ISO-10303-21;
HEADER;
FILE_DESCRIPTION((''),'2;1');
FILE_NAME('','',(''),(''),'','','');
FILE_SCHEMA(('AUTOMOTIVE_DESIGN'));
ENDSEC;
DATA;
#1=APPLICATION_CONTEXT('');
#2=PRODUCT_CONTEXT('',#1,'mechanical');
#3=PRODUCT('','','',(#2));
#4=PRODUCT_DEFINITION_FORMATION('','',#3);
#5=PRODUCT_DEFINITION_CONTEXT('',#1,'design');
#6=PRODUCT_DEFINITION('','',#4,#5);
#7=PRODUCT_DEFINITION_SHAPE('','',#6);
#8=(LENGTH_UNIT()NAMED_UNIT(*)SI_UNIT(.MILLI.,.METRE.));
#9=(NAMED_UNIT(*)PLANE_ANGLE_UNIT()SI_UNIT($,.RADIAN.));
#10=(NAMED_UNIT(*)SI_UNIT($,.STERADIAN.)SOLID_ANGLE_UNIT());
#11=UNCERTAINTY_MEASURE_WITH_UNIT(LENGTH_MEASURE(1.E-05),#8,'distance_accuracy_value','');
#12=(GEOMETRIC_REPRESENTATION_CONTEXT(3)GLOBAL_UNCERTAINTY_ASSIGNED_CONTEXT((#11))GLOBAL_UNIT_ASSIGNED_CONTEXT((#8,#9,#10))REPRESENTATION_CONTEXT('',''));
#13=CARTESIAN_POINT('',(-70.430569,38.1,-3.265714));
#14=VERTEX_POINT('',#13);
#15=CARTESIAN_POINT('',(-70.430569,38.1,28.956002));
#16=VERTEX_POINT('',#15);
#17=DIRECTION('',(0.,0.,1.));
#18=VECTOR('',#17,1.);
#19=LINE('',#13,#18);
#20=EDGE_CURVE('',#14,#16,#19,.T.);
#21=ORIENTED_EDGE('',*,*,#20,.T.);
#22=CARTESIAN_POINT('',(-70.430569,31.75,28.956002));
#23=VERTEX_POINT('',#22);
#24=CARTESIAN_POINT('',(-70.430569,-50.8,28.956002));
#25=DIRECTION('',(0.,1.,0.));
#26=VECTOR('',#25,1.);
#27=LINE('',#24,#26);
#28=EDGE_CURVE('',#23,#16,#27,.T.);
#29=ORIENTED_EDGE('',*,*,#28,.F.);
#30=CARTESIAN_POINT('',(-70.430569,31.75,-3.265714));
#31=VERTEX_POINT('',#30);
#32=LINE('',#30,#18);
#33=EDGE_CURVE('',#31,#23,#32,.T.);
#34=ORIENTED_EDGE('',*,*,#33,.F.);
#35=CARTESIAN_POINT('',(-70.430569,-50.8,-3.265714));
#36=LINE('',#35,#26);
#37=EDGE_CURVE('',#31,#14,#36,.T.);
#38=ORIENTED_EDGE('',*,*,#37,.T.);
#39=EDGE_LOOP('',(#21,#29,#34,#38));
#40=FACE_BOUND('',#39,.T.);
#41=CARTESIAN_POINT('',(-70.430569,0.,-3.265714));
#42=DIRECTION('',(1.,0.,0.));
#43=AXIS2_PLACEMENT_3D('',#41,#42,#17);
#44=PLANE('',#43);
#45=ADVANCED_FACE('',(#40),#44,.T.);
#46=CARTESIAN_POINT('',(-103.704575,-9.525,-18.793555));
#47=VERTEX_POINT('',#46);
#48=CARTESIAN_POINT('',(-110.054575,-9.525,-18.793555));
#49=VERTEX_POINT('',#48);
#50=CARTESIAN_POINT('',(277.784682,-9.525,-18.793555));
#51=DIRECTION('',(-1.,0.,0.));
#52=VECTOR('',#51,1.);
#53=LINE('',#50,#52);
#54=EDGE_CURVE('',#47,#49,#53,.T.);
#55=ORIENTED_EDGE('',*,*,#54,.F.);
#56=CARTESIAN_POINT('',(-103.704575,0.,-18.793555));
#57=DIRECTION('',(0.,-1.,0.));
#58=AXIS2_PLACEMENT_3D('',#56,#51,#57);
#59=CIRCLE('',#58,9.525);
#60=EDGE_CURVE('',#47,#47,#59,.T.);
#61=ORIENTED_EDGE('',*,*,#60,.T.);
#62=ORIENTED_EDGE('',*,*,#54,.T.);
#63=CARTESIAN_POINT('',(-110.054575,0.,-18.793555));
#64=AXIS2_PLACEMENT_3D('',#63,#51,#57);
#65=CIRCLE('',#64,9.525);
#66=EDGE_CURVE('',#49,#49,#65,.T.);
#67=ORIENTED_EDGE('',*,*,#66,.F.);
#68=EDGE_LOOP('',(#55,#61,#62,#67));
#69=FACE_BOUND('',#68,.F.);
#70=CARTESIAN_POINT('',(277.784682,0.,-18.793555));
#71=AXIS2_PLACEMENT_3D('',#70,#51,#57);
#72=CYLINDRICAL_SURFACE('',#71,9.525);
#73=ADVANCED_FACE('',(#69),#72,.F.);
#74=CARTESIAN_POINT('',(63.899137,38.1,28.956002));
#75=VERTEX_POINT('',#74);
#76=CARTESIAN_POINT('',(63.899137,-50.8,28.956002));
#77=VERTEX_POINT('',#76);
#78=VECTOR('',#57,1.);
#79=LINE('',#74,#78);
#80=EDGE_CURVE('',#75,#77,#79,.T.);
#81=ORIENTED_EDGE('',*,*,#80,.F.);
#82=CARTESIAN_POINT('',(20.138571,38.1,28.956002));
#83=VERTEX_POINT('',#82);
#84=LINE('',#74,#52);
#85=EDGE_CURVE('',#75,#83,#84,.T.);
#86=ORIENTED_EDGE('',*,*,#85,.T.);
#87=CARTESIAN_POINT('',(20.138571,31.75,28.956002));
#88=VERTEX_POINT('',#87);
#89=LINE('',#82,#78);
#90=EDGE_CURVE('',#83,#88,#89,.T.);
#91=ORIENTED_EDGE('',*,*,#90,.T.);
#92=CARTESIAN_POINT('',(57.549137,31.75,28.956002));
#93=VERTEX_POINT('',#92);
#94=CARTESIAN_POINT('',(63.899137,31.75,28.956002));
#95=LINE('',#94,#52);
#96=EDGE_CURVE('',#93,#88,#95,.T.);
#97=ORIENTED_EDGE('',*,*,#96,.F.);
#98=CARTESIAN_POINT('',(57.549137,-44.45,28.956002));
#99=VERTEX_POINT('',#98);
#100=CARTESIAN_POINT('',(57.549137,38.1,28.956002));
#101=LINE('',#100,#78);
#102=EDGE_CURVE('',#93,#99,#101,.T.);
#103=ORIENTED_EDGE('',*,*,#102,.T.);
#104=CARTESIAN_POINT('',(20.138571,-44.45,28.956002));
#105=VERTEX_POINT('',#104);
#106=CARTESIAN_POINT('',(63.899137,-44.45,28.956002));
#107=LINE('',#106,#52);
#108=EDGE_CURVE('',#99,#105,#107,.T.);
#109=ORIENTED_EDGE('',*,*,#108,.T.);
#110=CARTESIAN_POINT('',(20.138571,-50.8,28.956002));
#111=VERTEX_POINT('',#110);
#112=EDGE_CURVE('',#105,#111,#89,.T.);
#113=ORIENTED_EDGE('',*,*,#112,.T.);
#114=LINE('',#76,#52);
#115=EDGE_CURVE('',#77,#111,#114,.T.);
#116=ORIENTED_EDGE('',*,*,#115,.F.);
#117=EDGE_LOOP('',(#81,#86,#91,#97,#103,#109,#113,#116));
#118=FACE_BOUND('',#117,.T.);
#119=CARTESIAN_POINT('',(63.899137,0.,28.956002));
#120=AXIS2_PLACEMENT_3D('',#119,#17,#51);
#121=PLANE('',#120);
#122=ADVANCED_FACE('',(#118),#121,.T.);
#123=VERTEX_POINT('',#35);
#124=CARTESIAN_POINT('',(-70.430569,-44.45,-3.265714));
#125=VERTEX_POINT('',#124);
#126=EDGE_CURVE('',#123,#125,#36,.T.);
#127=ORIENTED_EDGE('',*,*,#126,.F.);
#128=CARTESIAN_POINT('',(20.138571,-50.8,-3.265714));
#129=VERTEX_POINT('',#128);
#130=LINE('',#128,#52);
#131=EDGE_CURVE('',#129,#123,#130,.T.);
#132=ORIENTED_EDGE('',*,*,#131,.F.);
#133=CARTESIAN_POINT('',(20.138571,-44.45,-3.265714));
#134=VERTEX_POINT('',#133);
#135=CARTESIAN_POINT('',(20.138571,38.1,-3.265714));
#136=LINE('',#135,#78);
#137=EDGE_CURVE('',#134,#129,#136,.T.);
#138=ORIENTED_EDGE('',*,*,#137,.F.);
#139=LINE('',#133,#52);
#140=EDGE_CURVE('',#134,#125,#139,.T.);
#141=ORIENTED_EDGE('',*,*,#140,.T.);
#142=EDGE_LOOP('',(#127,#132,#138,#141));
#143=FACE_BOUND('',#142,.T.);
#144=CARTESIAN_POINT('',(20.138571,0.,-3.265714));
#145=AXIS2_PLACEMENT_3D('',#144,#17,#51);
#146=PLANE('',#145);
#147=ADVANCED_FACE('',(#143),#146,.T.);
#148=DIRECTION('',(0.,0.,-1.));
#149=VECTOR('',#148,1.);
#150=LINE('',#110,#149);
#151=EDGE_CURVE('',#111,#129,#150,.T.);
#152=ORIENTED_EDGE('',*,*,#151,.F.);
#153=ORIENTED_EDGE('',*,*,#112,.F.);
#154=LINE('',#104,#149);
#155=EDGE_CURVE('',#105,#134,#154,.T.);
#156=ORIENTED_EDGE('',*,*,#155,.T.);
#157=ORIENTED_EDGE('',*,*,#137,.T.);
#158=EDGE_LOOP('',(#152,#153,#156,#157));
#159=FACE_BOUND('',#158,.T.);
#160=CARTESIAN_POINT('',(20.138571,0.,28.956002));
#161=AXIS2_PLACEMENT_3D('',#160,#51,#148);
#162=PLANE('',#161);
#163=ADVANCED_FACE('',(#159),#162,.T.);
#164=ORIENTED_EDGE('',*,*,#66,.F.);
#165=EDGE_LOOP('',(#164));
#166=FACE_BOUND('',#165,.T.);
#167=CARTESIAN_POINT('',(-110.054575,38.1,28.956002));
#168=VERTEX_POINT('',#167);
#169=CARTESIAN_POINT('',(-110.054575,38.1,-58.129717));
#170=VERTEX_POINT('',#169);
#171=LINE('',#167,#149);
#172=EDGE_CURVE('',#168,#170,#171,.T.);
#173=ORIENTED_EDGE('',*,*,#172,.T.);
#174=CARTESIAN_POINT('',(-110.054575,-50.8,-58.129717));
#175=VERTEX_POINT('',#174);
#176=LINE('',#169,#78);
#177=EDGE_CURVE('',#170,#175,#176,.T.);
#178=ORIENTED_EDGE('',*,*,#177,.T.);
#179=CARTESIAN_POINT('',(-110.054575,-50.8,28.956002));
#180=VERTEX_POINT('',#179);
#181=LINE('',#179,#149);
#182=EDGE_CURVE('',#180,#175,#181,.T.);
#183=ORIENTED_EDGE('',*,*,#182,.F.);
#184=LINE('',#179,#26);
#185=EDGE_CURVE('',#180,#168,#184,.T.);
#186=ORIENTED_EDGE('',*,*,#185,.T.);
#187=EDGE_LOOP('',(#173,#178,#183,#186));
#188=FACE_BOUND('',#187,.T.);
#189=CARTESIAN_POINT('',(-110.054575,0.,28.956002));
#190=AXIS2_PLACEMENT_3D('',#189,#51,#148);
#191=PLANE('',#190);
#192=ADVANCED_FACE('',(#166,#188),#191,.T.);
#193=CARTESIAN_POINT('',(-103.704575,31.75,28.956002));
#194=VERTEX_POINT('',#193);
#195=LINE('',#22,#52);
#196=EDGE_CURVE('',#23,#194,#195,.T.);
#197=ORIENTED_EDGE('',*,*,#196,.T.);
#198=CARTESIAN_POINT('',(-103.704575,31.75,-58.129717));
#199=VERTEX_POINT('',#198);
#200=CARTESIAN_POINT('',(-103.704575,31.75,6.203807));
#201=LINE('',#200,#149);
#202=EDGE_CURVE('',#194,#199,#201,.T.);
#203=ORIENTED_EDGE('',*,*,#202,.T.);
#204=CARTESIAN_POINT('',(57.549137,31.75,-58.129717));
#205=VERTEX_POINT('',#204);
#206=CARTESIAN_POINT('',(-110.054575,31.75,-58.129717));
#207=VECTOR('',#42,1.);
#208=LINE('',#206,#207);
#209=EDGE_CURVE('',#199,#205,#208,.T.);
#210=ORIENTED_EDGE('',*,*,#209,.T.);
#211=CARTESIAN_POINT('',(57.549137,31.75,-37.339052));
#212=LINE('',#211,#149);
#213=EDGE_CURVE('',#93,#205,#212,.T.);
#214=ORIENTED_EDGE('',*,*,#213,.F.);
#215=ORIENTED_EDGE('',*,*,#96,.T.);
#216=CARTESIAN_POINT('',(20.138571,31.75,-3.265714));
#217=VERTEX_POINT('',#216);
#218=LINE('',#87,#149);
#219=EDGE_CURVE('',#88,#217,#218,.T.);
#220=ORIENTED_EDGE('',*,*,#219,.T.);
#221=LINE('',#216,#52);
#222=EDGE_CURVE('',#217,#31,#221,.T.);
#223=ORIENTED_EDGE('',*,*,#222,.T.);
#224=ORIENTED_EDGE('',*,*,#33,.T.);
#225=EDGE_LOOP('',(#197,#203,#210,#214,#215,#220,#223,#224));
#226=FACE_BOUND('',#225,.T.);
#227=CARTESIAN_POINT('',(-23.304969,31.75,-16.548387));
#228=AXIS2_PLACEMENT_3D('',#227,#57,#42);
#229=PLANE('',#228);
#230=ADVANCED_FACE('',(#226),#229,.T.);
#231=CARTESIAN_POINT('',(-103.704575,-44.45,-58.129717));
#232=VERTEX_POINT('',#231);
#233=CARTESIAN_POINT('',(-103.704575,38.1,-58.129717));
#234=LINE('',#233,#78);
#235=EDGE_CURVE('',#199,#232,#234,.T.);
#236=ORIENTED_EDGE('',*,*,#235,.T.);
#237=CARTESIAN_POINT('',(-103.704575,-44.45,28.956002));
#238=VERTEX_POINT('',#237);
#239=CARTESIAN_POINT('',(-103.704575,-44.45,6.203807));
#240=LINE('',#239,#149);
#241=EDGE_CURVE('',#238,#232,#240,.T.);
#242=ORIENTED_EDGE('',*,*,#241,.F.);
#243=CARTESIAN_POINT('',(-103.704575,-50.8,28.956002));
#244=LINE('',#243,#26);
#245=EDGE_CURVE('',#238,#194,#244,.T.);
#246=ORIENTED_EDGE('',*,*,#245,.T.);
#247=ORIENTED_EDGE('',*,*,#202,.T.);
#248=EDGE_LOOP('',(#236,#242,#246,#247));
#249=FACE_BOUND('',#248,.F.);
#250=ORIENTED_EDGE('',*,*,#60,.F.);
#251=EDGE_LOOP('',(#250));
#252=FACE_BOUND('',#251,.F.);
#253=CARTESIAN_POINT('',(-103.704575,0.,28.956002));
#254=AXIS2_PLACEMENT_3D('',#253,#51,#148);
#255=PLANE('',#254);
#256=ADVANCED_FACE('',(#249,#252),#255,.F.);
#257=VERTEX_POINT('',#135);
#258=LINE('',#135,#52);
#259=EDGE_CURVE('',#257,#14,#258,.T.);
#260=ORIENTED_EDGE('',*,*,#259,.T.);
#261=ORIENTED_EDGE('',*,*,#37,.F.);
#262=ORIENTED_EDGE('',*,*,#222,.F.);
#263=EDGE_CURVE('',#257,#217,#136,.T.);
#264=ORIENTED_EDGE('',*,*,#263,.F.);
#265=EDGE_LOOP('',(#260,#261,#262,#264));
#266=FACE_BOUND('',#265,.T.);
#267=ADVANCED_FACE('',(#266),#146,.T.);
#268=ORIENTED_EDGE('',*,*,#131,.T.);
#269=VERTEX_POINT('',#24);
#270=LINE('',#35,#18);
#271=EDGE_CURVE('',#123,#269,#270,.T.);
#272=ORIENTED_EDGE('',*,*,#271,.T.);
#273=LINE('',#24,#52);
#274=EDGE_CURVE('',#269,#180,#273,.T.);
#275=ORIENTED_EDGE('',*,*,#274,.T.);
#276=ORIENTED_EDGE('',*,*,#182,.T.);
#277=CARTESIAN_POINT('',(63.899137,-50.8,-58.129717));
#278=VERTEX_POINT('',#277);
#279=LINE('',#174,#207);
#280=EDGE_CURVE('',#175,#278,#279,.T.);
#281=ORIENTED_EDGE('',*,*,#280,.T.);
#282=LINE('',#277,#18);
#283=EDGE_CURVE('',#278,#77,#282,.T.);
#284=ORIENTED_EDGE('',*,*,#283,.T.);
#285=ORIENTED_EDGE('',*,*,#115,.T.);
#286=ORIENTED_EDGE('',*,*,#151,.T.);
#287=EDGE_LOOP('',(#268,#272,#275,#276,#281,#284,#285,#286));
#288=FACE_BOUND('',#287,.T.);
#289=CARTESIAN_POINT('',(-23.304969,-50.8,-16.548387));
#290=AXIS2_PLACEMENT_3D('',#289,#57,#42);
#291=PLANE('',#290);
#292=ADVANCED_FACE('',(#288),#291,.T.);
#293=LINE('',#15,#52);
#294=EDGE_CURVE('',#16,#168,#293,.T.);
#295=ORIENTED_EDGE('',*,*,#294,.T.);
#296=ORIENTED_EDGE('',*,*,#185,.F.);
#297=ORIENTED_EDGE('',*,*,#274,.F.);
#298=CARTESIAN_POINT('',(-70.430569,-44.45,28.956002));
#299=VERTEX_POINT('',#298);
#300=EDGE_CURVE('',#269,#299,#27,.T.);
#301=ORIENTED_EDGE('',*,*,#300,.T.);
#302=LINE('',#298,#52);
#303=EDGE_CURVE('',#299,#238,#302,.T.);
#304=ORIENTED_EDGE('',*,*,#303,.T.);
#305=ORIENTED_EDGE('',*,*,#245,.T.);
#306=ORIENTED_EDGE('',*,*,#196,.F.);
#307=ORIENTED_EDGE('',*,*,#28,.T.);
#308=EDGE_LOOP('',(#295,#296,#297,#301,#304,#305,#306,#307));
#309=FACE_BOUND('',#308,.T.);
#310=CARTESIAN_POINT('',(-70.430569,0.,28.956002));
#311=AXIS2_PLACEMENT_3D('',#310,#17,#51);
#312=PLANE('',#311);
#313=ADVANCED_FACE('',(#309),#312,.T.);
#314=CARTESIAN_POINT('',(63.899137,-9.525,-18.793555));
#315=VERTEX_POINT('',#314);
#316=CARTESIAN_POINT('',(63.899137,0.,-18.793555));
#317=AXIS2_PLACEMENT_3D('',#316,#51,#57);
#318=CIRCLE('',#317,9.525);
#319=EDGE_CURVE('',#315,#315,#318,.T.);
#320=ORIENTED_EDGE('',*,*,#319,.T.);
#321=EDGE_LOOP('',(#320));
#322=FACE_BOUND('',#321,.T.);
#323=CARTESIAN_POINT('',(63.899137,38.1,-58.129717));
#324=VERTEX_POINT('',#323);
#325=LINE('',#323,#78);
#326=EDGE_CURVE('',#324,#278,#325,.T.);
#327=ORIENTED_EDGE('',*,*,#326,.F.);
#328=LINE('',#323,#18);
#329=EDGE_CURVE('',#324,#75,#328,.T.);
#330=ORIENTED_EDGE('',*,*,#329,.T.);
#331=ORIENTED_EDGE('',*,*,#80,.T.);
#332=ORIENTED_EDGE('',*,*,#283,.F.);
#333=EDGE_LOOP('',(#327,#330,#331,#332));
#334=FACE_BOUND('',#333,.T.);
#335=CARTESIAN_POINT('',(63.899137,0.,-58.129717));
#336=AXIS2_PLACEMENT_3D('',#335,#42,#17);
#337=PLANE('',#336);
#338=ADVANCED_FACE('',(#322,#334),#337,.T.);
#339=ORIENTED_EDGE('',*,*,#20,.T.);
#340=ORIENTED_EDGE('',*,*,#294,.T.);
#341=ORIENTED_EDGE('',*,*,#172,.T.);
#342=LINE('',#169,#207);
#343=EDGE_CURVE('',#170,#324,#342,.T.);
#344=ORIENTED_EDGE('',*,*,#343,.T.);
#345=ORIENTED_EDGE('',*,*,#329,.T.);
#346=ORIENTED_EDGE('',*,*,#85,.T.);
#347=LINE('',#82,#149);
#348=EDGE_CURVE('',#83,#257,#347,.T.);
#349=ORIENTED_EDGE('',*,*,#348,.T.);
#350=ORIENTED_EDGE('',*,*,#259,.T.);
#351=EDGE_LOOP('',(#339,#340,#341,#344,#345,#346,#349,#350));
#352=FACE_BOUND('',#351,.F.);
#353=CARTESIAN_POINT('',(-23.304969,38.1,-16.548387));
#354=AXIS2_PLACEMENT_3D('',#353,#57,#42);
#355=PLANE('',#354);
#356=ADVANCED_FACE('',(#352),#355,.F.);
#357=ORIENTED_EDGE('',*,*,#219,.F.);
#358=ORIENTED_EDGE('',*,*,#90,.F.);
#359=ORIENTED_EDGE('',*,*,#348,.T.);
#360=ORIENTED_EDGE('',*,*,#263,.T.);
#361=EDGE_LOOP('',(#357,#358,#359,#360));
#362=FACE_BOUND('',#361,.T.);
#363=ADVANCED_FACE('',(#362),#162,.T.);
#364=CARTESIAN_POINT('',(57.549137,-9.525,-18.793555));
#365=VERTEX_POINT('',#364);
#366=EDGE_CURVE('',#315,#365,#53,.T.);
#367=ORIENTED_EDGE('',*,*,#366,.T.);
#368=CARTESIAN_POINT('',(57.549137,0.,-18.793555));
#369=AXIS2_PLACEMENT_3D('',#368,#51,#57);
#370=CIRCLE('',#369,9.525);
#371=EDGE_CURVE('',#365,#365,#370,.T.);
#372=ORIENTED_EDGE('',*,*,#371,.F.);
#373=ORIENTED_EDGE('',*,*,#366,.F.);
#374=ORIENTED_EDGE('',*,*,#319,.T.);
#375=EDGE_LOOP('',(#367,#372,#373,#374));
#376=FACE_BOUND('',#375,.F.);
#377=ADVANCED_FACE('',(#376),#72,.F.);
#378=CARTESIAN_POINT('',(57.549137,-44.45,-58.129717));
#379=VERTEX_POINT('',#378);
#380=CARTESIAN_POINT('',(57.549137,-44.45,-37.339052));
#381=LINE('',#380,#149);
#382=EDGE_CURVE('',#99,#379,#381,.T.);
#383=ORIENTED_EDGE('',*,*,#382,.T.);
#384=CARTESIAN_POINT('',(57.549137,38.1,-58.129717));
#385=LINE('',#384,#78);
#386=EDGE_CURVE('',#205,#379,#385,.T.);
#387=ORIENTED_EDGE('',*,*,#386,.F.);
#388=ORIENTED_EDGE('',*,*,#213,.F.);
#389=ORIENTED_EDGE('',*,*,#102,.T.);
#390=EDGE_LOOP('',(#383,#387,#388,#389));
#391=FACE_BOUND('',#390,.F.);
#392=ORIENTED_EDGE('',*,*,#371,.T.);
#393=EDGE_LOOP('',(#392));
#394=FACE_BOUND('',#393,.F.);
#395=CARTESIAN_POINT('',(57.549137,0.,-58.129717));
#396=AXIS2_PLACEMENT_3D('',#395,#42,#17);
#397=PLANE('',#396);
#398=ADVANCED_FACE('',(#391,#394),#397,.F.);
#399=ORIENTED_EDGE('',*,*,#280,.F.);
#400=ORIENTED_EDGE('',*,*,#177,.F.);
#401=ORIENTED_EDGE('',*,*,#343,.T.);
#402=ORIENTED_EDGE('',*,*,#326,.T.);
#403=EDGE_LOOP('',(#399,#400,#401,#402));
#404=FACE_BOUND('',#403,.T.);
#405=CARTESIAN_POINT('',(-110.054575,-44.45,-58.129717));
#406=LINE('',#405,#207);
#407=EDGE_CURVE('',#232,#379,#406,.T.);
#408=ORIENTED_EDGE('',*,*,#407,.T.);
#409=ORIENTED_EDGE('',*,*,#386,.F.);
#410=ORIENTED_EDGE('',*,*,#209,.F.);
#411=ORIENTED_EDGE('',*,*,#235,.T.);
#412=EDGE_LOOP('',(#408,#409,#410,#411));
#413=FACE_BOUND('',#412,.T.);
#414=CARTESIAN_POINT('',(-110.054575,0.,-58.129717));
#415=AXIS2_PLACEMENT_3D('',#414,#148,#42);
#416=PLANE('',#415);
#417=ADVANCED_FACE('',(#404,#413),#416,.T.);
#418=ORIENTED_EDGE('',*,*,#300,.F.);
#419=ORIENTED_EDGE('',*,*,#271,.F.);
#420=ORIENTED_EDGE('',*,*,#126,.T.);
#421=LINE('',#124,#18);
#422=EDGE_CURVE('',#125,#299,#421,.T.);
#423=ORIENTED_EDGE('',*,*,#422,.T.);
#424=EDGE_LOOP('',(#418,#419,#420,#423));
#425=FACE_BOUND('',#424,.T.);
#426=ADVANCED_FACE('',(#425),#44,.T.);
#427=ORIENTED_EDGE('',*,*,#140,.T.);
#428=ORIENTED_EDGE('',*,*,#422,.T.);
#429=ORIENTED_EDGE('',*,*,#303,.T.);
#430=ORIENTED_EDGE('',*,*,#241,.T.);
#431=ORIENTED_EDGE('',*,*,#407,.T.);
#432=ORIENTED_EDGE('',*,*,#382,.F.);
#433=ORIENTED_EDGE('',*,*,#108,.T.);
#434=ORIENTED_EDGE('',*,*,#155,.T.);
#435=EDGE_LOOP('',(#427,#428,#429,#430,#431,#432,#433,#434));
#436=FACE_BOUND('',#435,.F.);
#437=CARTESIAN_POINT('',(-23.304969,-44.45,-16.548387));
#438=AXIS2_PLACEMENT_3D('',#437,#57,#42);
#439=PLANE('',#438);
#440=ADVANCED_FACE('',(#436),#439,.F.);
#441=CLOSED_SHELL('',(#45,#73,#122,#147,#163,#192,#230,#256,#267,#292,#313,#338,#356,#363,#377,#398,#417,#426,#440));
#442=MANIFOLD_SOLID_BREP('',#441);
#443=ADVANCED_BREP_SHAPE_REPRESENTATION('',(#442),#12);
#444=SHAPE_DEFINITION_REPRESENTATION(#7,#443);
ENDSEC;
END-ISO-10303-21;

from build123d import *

# Parameters (mm, degrees)
F1_DEPTH      = 50.8
F1_DEPTH_BACK = 38.1
F2_T          = -6.35
F4_D          = 19.05


with BuildPart() as f1:
    # F0 (on Front) → F1 (new body, two sides)
    with BuildSketch(Plane.XZ) as f1_sk:
        Polygon((-110.054575, 28.956002), (-110.054575, -58.129717), (63.899137, -58.129717), (63.899137, 28.956002), (20.138571, 28.956002), (20.138571, -3.265714), (-70.430569, -3.265714), (-70.430569, 28.956002), align=None)
    extrude(amount=F1_DEPTH)
    extrude(f1_sk.sketch, amount=-F1_DEPTH_BACK)

    # F2
    f2_openings = [f1.faces().sort_by_distance(p)[0] for p in [
        (-90.242572, -6.35, 28.956002),
        (-70.430569, -6.35, 12.845144),
        (20.138571, -6.35, 12.845144),
        (42.018854, -6.35, 28.956002),
        (-25.145999, -6.35, -3.265714),
        (-23.077719, -6.35, -58.129717),
    ]]
    offset(amount=F2_T, openings=f2_openings)

    # F4 (through all)
    with Locations(Plane.YZ.offset(63.899137)):
        with Locations((0, -18.793555)):
            Hole(F4_D / 2)


solid = f1.part
